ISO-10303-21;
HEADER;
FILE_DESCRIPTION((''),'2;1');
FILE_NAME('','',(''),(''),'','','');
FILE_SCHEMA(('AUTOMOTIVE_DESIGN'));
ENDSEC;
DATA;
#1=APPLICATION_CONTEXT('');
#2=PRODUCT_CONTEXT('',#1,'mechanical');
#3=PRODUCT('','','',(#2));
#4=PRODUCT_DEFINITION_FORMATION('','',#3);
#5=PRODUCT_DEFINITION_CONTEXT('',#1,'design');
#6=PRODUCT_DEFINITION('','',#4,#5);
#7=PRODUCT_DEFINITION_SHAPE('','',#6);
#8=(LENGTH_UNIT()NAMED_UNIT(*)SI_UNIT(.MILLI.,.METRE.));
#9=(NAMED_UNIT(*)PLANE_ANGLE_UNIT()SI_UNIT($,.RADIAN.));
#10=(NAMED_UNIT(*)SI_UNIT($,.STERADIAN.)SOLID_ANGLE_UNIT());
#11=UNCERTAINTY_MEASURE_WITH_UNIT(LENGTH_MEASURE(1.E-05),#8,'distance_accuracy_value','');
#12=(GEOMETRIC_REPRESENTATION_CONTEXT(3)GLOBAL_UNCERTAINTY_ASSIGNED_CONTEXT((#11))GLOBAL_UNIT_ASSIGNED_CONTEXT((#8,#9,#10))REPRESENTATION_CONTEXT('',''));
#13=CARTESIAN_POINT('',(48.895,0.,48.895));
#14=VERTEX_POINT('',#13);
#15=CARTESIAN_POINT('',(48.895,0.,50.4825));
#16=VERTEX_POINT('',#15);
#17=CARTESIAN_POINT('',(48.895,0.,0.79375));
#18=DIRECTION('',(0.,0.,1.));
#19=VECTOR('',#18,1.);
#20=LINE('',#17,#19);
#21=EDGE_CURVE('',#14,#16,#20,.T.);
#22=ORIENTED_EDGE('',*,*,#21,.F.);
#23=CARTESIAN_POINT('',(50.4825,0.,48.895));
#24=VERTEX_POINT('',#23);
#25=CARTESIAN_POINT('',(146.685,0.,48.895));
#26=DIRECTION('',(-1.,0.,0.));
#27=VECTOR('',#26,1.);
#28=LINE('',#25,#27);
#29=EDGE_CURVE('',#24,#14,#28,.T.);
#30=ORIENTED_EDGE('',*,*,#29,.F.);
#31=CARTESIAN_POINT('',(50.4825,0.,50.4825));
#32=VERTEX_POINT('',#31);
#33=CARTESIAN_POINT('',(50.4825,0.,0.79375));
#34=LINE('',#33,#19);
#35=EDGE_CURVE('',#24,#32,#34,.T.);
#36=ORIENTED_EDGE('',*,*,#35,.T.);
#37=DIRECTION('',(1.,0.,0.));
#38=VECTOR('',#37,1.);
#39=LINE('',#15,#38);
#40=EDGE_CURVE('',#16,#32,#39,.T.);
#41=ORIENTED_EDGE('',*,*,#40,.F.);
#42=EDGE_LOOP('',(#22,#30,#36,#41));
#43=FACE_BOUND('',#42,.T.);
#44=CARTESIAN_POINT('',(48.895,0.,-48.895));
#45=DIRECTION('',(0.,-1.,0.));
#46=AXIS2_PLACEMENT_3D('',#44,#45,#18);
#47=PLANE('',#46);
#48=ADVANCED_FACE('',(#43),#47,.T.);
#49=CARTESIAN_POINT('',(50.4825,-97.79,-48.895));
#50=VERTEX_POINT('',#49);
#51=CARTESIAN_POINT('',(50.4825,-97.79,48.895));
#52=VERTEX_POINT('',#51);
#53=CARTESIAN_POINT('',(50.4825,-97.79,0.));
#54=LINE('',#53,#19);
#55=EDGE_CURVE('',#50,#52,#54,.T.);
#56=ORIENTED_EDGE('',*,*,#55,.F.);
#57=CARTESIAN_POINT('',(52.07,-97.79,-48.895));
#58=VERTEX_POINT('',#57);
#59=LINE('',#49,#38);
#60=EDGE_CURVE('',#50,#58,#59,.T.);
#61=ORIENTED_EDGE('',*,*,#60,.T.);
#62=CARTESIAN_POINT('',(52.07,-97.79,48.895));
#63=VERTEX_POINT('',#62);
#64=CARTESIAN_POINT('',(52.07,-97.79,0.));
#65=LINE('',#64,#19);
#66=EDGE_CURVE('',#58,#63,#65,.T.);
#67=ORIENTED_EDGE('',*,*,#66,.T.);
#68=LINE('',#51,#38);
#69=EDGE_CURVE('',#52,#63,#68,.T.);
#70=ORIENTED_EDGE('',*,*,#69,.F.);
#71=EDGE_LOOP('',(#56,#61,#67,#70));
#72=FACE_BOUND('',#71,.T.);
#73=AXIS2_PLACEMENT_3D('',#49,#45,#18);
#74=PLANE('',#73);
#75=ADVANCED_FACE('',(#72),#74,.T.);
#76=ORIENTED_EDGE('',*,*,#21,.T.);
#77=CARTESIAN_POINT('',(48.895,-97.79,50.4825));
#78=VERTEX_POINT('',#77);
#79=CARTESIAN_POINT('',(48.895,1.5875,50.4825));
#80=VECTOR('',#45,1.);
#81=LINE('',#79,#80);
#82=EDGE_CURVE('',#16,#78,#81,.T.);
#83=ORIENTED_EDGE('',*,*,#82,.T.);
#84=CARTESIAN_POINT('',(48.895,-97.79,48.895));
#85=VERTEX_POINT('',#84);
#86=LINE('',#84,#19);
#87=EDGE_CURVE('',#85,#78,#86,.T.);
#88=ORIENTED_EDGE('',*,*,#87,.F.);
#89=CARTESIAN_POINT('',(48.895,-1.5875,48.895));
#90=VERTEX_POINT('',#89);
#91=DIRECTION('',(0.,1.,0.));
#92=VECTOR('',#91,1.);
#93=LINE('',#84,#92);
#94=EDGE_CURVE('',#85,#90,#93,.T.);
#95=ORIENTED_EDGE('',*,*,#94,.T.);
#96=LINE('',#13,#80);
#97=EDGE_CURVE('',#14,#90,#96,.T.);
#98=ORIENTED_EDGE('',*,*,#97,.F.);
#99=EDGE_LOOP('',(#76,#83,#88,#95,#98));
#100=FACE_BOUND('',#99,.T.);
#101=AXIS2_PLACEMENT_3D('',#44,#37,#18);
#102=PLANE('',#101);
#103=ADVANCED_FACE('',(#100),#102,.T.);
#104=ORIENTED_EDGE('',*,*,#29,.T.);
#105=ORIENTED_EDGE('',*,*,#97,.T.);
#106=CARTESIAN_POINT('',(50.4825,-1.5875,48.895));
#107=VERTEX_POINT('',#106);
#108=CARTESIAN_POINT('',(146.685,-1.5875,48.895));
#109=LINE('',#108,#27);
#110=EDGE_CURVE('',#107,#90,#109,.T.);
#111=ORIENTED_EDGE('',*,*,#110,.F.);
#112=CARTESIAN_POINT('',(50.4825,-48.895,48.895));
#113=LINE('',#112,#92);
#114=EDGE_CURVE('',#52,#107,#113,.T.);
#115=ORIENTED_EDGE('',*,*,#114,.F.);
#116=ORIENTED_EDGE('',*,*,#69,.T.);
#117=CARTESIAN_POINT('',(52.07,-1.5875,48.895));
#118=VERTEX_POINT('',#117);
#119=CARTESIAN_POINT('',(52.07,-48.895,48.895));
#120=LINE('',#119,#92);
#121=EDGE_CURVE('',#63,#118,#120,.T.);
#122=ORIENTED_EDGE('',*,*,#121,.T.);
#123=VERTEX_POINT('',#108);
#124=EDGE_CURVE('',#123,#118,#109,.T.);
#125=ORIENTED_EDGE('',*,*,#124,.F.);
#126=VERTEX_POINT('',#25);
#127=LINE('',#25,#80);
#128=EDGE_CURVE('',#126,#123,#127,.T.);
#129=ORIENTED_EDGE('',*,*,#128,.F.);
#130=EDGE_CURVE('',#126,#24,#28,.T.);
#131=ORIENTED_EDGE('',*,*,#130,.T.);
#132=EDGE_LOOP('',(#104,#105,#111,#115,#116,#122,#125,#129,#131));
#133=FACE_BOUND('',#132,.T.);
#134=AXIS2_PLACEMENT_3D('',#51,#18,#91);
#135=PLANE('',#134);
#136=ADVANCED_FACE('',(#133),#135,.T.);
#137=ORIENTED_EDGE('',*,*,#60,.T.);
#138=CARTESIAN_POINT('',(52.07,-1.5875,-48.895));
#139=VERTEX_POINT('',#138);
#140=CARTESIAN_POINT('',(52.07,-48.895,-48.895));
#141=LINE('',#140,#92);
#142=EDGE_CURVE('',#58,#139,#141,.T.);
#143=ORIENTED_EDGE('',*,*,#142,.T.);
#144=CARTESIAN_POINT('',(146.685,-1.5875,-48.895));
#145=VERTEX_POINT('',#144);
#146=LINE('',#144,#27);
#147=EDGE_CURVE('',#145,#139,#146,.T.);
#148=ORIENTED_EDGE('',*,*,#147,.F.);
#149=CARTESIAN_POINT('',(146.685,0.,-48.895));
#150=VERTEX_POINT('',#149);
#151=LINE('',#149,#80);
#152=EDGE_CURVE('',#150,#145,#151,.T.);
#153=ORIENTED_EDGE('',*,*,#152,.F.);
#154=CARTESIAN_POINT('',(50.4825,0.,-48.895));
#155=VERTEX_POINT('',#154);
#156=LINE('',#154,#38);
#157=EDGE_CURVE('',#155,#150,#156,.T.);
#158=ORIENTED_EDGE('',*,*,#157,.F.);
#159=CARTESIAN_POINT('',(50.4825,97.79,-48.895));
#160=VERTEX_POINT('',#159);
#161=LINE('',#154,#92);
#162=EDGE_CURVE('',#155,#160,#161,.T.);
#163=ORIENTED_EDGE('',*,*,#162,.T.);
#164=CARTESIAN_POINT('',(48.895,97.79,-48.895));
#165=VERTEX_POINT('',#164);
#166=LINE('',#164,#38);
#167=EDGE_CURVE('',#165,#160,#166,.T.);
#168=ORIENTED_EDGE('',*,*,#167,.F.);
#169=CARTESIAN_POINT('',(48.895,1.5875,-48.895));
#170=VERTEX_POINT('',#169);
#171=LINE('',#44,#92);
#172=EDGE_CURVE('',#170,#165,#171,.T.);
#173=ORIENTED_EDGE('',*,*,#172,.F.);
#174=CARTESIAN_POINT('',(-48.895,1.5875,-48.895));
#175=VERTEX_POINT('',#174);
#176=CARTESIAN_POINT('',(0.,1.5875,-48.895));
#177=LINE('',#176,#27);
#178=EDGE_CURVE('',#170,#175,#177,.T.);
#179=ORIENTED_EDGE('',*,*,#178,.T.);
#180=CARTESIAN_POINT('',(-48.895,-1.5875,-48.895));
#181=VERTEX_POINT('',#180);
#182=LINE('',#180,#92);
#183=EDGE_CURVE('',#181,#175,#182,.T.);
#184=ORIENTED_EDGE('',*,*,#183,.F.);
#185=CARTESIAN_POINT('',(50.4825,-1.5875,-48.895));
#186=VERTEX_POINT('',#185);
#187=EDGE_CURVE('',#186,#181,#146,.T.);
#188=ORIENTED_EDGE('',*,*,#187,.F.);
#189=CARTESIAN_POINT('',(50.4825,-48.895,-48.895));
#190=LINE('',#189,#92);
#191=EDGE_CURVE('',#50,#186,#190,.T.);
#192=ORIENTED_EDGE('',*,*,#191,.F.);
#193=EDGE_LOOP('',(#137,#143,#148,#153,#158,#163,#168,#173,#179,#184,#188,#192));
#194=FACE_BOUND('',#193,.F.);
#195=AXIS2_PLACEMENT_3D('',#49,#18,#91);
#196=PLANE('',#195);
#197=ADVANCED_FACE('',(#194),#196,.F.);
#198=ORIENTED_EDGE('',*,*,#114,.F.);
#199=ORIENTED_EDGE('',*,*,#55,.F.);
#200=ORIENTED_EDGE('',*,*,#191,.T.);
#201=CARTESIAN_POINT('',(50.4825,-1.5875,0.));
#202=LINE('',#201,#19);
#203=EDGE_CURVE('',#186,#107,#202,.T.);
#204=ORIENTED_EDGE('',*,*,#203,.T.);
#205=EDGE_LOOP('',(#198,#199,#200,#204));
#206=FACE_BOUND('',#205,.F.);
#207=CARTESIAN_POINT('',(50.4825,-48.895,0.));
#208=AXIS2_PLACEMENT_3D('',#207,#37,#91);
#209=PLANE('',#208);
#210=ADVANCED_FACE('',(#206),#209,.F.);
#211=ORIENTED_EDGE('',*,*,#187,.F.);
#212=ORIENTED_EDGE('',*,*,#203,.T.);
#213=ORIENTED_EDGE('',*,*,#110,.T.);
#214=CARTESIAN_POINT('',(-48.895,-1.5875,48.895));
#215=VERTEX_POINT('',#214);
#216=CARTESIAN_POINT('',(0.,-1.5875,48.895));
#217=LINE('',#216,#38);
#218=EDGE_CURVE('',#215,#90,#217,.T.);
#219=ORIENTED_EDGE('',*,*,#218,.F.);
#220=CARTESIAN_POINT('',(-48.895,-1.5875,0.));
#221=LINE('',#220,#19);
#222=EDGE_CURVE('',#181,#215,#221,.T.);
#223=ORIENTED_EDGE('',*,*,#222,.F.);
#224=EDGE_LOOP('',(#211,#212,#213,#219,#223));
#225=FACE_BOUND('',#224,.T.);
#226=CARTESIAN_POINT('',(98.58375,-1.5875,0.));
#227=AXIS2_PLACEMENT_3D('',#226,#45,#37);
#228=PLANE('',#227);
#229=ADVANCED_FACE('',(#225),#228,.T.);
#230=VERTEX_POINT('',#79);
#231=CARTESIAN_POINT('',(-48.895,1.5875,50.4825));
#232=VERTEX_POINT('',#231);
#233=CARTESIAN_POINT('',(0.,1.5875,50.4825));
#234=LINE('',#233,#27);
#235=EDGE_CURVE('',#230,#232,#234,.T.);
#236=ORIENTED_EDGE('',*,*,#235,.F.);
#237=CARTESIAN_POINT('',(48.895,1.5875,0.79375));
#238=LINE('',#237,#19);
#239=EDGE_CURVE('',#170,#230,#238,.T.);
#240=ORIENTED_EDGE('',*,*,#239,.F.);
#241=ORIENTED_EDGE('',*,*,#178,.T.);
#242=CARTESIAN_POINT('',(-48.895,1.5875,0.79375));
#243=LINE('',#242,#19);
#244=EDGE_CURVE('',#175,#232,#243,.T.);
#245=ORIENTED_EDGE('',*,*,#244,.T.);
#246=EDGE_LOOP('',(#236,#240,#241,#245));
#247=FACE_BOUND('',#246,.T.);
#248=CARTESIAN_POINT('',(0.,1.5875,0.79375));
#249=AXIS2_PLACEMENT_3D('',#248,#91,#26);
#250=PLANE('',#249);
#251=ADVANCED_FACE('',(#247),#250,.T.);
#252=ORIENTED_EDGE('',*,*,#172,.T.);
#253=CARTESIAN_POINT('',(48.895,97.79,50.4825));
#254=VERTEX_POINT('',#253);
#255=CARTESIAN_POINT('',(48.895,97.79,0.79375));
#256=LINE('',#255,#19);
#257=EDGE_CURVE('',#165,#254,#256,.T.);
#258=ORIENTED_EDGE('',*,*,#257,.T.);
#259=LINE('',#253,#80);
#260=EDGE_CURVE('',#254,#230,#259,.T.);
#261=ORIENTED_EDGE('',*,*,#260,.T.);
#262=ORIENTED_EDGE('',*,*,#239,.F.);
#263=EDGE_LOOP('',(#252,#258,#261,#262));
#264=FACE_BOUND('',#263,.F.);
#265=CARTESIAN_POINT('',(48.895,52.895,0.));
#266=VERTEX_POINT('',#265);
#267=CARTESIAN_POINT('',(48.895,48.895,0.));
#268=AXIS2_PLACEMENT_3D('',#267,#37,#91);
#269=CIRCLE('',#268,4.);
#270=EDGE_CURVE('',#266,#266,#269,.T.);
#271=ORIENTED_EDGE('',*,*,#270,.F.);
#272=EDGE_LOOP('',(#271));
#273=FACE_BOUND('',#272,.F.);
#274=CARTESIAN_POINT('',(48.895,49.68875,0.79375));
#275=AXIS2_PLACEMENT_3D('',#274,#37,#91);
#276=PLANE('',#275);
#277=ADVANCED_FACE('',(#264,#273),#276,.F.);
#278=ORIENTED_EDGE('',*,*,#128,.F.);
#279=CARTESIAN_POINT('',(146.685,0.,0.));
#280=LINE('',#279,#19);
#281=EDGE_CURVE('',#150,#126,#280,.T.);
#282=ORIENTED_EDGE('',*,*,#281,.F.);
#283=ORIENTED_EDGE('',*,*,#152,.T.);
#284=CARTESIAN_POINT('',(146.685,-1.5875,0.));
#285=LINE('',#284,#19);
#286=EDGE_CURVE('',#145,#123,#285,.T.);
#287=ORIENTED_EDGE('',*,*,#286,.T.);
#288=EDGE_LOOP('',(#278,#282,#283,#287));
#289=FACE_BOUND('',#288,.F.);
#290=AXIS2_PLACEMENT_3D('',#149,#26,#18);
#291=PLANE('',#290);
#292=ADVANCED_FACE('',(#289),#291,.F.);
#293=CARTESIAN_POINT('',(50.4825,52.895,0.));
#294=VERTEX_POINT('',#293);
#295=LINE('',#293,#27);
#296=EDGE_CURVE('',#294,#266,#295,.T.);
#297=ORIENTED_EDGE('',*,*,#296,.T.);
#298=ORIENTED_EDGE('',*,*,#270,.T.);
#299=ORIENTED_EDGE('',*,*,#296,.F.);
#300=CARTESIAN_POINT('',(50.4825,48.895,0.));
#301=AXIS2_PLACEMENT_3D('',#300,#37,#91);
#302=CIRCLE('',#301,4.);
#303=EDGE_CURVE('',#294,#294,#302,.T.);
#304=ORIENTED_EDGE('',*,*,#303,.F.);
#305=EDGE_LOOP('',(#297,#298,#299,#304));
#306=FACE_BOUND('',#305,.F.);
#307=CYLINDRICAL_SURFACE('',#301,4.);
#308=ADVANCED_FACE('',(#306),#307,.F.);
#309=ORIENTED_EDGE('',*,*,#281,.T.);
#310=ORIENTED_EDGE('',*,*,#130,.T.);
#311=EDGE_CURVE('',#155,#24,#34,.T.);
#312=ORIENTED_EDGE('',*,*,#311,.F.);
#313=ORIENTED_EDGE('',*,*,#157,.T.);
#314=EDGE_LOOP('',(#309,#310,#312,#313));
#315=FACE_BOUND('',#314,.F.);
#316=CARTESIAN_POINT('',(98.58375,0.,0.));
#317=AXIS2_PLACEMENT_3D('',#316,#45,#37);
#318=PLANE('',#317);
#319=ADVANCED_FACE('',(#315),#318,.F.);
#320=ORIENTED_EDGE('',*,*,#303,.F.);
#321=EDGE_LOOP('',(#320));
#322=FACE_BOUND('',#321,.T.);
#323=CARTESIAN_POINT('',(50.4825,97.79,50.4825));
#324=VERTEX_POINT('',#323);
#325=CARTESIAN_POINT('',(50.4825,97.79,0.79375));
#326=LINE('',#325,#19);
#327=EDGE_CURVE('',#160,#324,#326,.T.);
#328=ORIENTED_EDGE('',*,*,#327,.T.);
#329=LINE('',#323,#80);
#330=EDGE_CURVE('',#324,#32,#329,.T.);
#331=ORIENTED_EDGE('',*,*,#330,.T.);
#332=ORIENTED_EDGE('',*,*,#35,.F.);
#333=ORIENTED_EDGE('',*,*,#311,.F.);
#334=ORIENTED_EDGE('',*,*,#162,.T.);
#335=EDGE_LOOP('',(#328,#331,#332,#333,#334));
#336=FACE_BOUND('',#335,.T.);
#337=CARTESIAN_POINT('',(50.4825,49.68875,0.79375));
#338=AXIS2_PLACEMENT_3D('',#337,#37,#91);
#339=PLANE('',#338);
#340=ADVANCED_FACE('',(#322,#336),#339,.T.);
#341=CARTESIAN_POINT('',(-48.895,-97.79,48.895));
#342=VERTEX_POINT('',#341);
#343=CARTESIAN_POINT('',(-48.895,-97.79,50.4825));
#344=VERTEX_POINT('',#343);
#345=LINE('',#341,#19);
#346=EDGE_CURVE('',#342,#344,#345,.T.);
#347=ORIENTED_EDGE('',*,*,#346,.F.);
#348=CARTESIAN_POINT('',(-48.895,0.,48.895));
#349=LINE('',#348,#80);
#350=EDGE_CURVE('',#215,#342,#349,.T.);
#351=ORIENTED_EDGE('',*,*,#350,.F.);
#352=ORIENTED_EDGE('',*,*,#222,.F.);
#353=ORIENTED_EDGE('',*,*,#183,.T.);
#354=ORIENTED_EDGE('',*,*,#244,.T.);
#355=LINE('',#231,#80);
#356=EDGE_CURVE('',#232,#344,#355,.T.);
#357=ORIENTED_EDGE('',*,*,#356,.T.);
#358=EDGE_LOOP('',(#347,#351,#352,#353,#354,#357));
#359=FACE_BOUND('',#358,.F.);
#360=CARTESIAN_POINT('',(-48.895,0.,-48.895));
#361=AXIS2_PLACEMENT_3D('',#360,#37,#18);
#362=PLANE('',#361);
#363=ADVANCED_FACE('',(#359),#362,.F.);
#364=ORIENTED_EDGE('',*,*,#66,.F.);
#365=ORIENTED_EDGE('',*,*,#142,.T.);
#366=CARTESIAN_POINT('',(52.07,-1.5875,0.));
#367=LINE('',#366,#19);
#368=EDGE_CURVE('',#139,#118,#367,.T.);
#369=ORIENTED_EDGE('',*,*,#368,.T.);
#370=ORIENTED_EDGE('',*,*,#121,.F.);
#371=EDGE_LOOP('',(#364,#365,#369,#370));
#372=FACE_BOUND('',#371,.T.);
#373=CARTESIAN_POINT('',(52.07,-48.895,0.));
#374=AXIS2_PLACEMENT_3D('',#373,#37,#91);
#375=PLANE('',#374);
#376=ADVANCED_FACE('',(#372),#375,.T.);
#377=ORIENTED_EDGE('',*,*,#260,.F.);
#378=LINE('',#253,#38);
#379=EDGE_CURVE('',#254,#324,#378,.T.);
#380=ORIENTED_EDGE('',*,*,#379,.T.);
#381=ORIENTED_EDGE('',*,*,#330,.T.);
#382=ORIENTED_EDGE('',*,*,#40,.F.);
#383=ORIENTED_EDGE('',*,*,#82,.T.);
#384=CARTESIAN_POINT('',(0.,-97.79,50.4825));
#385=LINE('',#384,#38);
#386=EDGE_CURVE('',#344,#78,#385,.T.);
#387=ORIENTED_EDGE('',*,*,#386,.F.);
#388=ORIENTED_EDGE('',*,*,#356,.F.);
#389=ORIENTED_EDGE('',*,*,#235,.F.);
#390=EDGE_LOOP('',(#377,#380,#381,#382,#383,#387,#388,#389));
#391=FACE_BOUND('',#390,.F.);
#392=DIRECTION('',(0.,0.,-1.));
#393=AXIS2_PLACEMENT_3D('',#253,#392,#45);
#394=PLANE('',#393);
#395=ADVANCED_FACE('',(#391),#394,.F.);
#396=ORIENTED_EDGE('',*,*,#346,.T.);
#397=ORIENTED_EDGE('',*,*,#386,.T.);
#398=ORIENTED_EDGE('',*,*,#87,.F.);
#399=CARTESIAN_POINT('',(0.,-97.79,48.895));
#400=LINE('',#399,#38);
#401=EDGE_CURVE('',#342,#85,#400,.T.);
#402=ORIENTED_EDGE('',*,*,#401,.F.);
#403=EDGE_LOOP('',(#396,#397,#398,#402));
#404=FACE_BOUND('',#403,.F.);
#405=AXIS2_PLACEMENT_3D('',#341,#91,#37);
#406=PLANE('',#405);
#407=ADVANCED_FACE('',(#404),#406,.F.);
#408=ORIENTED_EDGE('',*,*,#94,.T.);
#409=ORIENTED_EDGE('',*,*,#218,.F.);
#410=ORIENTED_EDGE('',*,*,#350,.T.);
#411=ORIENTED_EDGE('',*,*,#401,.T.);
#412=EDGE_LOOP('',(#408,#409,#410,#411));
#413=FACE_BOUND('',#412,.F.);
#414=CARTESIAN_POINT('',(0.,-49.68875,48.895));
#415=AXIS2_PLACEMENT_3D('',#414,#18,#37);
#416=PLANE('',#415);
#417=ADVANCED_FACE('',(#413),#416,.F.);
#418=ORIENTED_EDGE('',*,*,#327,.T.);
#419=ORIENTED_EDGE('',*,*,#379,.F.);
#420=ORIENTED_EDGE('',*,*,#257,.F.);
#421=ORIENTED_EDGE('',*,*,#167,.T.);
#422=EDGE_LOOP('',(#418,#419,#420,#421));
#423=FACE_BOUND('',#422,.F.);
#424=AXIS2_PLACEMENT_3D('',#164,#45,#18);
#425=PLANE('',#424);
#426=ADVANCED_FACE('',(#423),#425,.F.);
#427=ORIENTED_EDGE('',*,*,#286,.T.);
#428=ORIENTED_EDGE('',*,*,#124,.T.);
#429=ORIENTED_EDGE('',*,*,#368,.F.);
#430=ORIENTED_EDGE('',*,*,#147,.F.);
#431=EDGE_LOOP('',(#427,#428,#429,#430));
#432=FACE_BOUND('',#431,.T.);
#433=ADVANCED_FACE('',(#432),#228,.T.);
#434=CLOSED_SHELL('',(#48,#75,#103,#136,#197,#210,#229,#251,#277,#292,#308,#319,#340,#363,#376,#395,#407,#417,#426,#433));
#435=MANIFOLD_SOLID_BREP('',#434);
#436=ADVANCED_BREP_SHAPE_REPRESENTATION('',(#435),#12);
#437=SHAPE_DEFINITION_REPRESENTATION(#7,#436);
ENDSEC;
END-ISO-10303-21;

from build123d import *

# Parameters (mm, degrees)
F0_W      = 97.79
F0_H      = 97.79
F1_DEPTH  = 1.5875
F2_W      = 97.79
F2_H      = 96.2025
F2_H_2    = 1.5875
F3_DEPTH  = 1.5875
F4_W      = 97.79
F4_H      = 99.3775
F5_DEPTH  = 1.5875
F6_W      = 96.2025
F6_H      = 99.3775
F6_W_2    = 1.5875
F7_DEPTH  = 1.5875
F8_R      = 4
F9_DEPTH  = 25.4
F10_W     = 96.2025
F10_H     = 97.79
F10_W_2   = 1.5875
F11_DEPTH = 1.5875
F12_W     = 97.79
F12_H     = 97.79
F13_DEPTH = 1.5875


with BuildPart() as f1:
    # F0 (on Front) → F1 (new body)
    with BuildSketch(Plane.XZ):
        Rectangle(F0_W, F0_H)
    extrude(amount=F1_DEPTH)

    # F2 (on face) → F3 (join)
    with BuildSketch(Plane.XY.offset(48.895)):
        with Locations((0, -49.68875)):
            Rectangle(F2_W, F2_H)
        with Locations((0, -0.79375)):
            Rectangle(F2_W, F2_H_2)
    extrude(amount=F3_DEPTH)

    # F4 (on face) → F5 (join)
    with BuildSketch(Plane(origin=(0, 0, 0), x_dir=(-1, 0, 0), z_dir=(0, 1, 0))):
        with Locations((0, 0.79375)):
            Rectangle(F4_W, F4_H)
    extrude(amount=F5_DEPTH)

    # F6 (on face) → F7 (join)
    with BuildSketch(Plane.YZ.offset(48.895)):
        with Locations((49.68875, 0.79375)):
            Rectangle(F6_W, F6_H)
        with Locations((0.79375, 0.79375)):
            Rectangle(F6_W_2, F6_H)
    extrude(amount=F7_DEPTH)

    # F8 (on face) → F9 (cut)
    with BuildSketch(Plane.YZ.offset(50.4825)):
        with Locations((48.895, 0)):
            Circle(F8_R)
    extrude(amount=-F9_DEPTH, mode=Mode.SUBTRACT)

    # F10 (on face) → F11 (join)
    with BuildSketch(Plane.XZ):
        with Locations((98.58375, 0)):
            Rectangle(F10_W, F10_H)
        with Locations((49.68875, 0)):
            Rectangle(F10_W_2, F10_H)
    extrude(amount=F11_DEPTH)

    # F12 (on face) → F13 (join)
    with BuildSketch(Plane.YZ.offset(50.4825)):
        with Locations((-48.895, 0)):
            Rectangle(F12_W, F12_H)
    extrude(amount=F13_DEPTH)


solid = f1.part
